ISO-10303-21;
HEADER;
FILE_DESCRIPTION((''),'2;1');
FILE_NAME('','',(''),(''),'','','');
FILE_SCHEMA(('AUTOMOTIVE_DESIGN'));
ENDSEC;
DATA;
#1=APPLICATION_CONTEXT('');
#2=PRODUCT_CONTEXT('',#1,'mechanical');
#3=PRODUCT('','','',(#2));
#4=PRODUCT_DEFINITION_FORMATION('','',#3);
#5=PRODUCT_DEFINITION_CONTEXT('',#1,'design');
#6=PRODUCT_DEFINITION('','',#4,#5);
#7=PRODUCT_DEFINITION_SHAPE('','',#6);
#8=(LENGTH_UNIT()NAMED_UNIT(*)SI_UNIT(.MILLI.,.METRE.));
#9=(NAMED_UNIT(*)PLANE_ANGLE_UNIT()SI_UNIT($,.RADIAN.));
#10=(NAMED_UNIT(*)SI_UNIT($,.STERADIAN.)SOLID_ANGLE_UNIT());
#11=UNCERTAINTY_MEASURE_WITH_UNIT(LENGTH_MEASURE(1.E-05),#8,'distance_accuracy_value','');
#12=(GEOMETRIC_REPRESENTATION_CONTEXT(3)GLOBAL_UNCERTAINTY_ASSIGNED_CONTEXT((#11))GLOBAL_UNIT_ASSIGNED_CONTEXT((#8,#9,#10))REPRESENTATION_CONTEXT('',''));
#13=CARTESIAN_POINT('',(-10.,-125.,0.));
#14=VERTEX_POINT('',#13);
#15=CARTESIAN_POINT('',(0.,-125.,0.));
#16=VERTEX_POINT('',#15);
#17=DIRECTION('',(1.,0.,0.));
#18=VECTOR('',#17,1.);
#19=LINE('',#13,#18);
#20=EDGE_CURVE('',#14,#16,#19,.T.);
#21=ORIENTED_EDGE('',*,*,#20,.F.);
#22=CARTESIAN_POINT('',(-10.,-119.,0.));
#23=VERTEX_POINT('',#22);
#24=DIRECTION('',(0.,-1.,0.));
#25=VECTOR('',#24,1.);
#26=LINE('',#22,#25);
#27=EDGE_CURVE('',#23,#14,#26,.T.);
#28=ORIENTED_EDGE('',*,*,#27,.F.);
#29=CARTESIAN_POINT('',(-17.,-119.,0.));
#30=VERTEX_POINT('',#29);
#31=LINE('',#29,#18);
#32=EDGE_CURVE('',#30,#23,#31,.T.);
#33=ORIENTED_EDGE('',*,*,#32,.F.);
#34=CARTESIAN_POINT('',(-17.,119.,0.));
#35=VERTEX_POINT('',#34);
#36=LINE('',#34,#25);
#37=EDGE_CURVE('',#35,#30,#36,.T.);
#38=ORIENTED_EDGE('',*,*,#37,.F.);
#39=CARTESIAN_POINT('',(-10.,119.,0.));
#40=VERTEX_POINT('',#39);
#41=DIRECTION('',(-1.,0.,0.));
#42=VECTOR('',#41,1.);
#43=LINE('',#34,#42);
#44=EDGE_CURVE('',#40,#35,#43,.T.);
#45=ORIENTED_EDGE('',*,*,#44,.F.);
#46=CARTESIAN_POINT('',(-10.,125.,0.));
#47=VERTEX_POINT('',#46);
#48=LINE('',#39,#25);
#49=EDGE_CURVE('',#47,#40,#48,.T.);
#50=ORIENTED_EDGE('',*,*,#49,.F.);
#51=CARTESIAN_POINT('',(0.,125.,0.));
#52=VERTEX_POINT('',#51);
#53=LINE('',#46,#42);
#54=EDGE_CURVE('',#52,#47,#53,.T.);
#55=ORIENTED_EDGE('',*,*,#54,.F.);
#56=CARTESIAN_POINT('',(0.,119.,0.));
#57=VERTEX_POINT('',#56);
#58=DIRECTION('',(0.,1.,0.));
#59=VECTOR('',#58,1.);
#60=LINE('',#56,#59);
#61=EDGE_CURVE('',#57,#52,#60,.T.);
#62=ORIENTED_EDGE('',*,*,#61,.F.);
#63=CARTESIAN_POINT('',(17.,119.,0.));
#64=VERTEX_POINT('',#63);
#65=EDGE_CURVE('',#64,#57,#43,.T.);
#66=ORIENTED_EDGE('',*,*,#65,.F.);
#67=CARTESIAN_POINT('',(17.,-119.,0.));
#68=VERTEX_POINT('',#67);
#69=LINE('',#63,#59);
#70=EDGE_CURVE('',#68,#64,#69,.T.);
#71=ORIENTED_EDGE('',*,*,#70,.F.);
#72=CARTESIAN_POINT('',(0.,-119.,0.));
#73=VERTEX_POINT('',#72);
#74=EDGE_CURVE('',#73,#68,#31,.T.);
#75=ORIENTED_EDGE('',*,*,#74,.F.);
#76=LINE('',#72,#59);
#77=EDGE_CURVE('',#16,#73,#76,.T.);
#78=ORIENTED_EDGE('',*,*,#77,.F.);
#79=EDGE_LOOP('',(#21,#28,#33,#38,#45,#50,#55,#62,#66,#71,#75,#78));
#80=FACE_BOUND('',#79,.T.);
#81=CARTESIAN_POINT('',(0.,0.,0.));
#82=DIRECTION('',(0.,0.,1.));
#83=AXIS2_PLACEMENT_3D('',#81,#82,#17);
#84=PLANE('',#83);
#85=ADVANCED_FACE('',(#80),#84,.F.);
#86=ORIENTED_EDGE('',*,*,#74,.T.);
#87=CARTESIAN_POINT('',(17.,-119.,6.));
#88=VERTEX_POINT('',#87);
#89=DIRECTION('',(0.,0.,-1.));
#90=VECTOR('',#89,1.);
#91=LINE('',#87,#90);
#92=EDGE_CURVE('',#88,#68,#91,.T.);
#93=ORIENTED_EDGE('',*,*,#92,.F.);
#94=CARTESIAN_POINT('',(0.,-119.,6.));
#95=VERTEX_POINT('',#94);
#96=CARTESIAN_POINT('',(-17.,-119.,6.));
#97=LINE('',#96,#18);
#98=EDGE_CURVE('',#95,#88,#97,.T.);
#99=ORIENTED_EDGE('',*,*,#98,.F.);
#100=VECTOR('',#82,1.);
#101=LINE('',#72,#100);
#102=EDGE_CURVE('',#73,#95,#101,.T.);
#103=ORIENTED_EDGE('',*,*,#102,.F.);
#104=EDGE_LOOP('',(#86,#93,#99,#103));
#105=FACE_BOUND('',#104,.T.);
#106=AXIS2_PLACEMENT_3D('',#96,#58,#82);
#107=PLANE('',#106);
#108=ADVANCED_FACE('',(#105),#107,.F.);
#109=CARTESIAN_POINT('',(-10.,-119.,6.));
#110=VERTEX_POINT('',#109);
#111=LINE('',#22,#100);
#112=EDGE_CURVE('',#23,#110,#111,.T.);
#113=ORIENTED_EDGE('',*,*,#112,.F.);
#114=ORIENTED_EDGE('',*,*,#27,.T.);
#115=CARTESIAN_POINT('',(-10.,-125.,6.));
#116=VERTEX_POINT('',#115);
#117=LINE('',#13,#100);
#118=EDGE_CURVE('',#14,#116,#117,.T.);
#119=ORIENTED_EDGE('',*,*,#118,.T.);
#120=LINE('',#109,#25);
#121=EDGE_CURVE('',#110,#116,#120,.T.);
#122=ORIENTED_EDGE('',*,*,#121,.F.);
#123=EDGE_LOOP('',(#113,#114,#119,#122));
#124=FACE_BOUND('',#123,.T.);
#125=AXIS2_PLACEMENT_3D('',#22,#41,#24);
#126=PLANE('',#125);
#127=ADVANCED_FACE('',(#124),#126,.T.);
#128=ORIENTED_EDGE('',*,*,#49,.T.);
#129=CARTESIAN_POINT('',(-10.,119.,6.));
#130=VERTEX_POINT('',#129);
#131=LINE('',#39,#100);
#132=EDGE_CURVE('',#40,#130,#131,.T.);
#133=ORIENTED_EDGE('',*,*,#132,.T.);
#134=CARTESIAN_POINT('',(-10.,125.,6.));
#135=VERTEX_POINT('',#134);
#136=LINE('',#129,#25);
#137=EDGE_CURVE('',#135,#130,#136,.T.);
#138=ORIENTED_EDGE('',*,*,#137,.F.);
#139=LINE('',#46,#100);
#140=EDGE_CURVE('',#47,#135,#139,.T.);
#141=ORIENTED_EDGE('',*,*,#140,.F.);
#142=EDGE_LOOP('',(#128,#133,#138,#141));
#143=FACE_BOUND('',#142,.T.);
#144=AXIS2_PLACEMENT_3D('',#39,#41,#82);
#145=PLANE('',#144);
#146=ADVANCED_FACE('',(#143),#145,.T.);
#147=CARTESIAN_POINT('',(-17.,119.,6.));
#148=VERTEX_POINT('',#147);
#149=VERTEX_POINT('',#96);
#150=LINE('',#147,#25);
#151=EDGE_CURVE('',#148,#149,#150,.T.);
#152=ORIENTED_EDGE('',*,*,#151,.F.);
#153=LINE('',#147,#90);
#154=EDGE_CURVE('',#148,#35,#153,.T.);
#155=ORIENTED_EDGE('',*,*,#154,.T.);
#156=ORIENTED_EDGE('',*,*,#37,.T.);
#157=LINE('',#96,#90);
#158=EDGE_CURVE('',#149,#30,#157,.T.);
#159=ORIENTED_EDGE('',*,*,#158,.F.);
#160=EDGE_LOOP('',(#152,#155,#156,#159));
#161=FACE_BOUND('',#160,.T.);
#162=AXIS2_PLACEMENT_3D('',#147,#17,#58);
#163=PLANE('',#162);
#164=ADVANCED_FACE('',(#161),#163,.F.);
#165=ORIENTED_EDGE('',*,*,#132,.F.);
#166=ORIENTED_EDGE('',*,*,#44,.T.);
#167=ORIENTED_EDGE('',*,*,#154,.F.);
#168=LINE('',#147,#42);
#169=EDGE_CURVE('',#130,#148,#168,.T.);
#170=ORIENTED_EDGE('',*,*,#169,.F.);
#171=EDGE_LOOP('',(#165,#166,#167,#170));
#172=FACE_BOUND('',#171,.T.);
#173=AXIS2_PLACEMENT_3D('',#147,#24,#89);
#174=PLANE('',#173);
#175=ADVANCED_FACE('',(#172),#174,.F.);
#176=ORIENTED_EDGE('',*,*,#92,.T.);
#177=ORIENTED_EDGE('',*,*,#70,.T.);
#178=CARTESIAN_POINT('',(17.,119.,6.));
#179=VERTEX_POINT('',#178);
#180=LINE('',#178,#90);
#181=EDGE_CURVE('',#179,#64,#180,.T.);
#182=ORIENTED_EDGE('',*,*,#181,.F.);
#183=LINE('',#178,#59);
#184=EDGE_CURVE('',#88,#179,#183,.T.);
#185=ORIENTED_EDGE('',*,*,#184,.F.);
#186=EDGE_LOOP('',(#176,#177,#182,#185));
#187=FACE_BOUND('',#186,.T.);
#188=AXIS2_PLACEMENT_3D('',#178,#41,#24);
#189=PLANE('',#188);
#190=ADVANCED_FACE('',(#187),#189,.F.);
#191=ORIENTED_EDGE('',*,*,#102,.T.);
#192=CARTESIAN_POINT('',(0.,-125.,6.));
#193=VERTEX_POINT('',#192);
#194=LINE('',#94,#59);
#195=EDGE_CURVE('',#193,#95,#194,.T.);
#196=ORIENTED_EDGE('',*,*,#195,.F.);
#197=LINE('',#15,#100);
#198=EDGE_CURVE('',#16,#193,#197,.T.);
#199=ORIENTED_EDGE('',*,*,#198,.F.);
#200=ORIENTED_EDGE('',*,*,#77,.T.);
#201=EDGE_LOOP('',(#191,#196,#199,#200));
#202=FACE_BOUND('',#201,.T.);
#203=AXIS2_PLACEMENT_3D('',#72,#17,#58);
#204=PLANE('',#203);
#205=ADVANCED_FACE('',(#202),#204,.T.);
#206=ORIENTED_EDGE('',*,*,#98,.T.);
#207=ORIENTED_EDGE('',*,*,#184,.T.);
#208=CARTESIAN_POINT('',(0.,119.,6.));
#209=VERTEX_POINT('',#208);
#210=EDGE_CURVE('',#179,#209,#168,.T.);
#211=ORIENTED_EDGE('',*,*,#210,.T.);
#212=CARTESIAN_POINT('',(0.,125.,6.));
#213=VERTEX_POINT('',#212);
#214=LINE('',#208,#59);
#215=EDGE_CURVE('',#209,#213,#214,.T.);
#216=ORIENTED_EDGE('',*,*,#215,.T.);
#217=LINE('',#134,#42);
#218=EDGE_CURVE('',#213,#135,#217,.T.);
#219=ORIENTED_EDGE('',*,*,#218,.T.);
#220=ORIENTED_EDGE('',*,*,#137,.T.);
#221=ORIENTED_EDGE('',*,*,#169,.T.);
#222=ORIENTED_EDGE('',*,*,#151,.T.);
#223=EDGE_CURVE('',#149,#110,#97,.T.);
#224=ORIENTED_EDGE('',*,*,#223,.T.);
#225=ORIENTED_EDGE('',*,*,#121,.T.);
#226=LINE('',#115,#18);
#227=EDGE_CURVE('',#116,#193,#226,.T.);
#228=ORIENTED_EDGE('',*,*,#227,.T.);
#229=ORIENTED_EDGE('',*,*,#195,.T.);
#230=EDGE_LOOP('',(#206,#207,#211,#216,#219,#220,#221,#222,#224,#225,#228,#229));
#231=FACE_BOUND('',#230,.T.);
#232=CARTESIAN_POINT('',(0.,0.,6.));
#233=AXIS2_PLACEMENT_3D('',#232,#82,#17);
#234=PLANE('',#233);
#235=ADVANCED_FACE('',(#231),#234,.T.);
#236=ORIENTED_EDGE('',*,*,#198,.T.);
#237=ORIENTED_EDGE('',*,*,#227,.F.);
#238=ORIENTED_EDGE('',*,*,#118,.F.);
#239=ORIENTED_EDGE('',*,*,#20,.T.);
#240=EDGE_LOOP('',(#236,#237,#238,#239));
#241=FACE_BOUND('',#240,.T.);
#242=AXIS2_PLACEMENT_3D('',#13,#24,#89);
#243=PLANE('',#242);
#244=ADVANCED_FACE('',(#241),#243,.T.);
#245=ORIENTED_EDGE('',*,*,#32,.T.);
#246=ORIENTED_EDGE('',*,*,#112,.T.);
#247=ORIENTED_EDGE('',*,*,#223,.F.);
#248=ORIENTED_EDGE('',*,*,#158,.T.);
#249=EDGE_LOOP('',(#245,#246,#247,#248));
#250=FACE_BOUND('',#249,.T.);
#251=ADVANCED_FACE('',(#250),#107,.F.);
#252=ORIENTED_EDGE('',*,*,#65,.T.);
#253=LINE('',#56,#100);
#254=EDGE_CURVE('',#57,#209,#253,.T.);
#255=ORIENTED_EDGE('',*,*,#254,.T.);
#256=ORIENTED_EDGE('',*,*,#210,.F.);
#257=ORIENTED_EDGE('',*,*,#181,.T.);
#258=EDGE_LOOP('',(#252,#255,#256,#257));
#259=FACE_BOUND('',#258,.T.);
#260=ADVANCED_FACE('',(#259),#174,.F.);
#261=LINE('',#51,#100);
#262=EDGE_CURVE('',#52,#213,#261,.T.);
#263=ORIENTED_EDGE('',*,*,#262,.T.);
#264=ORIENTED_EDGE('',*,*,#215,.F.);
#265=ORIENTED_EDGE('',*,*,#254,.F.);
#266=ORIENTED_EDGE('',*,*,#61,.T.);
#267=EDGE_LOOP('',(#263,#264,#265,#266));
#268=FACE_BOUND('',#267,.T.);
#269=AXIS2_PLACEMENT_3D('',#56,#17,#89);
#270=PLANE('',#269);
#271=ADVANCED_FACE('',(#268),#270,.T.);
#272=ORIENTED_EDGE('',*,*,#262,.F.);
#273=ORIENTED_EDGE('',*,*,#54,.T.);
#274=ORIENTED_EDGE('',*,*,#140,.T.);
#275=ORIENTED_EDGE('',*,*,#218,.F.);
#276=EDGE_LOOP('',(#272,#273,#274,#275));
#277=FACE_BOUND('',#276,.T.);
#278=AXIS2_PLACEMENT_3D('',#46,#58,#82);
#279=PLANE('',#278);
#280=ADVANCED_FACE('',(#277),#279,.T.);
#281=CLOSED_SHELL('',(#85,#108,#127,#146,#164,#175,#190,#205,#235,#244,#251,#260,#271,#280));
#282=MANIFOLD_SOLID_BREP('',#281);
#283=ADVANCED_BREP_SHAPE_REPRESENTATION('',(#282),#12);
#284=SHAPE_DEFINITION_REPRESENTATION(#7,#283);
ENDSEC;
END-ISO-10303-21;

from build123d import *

# Parameters (mm, degrees)
ESQUISSE1_W        = 34
ESQUISSE1_H        = 238
BOSS_EXTRU_1_DEPTH = 6
ESQUISSE2_W        = 10
ESQUISSE2_H        = 6
BOSS_EXTRU_2_DEPTH = 6


with BuildPart() as part:
    # Esquisse1 → Boss.-Extru.1 (new body)
    with BuildSketch(Plane.XY):
        Rectangle(ESQUISSE1_W, ESQUISSE1_H)
    extrude(amount=BOSS_EXTRU_1_DEPTH)

    # Esquisse2 → Boss.-Extru.2 (add)
    with BuildSketch(Plane.XY.offset(6)):
        with Locations((-5, 122)):
            Rectangle(ESQUISSE2_W, ESQUISSE2_H)
        with Locations((-5, -122)):
            Rectangle(ESQUISSE2_W, ESQUISSE2_H)
    extrude(amount=-BOSS_EXTRU_2_DEPTH)


solid = part.part
